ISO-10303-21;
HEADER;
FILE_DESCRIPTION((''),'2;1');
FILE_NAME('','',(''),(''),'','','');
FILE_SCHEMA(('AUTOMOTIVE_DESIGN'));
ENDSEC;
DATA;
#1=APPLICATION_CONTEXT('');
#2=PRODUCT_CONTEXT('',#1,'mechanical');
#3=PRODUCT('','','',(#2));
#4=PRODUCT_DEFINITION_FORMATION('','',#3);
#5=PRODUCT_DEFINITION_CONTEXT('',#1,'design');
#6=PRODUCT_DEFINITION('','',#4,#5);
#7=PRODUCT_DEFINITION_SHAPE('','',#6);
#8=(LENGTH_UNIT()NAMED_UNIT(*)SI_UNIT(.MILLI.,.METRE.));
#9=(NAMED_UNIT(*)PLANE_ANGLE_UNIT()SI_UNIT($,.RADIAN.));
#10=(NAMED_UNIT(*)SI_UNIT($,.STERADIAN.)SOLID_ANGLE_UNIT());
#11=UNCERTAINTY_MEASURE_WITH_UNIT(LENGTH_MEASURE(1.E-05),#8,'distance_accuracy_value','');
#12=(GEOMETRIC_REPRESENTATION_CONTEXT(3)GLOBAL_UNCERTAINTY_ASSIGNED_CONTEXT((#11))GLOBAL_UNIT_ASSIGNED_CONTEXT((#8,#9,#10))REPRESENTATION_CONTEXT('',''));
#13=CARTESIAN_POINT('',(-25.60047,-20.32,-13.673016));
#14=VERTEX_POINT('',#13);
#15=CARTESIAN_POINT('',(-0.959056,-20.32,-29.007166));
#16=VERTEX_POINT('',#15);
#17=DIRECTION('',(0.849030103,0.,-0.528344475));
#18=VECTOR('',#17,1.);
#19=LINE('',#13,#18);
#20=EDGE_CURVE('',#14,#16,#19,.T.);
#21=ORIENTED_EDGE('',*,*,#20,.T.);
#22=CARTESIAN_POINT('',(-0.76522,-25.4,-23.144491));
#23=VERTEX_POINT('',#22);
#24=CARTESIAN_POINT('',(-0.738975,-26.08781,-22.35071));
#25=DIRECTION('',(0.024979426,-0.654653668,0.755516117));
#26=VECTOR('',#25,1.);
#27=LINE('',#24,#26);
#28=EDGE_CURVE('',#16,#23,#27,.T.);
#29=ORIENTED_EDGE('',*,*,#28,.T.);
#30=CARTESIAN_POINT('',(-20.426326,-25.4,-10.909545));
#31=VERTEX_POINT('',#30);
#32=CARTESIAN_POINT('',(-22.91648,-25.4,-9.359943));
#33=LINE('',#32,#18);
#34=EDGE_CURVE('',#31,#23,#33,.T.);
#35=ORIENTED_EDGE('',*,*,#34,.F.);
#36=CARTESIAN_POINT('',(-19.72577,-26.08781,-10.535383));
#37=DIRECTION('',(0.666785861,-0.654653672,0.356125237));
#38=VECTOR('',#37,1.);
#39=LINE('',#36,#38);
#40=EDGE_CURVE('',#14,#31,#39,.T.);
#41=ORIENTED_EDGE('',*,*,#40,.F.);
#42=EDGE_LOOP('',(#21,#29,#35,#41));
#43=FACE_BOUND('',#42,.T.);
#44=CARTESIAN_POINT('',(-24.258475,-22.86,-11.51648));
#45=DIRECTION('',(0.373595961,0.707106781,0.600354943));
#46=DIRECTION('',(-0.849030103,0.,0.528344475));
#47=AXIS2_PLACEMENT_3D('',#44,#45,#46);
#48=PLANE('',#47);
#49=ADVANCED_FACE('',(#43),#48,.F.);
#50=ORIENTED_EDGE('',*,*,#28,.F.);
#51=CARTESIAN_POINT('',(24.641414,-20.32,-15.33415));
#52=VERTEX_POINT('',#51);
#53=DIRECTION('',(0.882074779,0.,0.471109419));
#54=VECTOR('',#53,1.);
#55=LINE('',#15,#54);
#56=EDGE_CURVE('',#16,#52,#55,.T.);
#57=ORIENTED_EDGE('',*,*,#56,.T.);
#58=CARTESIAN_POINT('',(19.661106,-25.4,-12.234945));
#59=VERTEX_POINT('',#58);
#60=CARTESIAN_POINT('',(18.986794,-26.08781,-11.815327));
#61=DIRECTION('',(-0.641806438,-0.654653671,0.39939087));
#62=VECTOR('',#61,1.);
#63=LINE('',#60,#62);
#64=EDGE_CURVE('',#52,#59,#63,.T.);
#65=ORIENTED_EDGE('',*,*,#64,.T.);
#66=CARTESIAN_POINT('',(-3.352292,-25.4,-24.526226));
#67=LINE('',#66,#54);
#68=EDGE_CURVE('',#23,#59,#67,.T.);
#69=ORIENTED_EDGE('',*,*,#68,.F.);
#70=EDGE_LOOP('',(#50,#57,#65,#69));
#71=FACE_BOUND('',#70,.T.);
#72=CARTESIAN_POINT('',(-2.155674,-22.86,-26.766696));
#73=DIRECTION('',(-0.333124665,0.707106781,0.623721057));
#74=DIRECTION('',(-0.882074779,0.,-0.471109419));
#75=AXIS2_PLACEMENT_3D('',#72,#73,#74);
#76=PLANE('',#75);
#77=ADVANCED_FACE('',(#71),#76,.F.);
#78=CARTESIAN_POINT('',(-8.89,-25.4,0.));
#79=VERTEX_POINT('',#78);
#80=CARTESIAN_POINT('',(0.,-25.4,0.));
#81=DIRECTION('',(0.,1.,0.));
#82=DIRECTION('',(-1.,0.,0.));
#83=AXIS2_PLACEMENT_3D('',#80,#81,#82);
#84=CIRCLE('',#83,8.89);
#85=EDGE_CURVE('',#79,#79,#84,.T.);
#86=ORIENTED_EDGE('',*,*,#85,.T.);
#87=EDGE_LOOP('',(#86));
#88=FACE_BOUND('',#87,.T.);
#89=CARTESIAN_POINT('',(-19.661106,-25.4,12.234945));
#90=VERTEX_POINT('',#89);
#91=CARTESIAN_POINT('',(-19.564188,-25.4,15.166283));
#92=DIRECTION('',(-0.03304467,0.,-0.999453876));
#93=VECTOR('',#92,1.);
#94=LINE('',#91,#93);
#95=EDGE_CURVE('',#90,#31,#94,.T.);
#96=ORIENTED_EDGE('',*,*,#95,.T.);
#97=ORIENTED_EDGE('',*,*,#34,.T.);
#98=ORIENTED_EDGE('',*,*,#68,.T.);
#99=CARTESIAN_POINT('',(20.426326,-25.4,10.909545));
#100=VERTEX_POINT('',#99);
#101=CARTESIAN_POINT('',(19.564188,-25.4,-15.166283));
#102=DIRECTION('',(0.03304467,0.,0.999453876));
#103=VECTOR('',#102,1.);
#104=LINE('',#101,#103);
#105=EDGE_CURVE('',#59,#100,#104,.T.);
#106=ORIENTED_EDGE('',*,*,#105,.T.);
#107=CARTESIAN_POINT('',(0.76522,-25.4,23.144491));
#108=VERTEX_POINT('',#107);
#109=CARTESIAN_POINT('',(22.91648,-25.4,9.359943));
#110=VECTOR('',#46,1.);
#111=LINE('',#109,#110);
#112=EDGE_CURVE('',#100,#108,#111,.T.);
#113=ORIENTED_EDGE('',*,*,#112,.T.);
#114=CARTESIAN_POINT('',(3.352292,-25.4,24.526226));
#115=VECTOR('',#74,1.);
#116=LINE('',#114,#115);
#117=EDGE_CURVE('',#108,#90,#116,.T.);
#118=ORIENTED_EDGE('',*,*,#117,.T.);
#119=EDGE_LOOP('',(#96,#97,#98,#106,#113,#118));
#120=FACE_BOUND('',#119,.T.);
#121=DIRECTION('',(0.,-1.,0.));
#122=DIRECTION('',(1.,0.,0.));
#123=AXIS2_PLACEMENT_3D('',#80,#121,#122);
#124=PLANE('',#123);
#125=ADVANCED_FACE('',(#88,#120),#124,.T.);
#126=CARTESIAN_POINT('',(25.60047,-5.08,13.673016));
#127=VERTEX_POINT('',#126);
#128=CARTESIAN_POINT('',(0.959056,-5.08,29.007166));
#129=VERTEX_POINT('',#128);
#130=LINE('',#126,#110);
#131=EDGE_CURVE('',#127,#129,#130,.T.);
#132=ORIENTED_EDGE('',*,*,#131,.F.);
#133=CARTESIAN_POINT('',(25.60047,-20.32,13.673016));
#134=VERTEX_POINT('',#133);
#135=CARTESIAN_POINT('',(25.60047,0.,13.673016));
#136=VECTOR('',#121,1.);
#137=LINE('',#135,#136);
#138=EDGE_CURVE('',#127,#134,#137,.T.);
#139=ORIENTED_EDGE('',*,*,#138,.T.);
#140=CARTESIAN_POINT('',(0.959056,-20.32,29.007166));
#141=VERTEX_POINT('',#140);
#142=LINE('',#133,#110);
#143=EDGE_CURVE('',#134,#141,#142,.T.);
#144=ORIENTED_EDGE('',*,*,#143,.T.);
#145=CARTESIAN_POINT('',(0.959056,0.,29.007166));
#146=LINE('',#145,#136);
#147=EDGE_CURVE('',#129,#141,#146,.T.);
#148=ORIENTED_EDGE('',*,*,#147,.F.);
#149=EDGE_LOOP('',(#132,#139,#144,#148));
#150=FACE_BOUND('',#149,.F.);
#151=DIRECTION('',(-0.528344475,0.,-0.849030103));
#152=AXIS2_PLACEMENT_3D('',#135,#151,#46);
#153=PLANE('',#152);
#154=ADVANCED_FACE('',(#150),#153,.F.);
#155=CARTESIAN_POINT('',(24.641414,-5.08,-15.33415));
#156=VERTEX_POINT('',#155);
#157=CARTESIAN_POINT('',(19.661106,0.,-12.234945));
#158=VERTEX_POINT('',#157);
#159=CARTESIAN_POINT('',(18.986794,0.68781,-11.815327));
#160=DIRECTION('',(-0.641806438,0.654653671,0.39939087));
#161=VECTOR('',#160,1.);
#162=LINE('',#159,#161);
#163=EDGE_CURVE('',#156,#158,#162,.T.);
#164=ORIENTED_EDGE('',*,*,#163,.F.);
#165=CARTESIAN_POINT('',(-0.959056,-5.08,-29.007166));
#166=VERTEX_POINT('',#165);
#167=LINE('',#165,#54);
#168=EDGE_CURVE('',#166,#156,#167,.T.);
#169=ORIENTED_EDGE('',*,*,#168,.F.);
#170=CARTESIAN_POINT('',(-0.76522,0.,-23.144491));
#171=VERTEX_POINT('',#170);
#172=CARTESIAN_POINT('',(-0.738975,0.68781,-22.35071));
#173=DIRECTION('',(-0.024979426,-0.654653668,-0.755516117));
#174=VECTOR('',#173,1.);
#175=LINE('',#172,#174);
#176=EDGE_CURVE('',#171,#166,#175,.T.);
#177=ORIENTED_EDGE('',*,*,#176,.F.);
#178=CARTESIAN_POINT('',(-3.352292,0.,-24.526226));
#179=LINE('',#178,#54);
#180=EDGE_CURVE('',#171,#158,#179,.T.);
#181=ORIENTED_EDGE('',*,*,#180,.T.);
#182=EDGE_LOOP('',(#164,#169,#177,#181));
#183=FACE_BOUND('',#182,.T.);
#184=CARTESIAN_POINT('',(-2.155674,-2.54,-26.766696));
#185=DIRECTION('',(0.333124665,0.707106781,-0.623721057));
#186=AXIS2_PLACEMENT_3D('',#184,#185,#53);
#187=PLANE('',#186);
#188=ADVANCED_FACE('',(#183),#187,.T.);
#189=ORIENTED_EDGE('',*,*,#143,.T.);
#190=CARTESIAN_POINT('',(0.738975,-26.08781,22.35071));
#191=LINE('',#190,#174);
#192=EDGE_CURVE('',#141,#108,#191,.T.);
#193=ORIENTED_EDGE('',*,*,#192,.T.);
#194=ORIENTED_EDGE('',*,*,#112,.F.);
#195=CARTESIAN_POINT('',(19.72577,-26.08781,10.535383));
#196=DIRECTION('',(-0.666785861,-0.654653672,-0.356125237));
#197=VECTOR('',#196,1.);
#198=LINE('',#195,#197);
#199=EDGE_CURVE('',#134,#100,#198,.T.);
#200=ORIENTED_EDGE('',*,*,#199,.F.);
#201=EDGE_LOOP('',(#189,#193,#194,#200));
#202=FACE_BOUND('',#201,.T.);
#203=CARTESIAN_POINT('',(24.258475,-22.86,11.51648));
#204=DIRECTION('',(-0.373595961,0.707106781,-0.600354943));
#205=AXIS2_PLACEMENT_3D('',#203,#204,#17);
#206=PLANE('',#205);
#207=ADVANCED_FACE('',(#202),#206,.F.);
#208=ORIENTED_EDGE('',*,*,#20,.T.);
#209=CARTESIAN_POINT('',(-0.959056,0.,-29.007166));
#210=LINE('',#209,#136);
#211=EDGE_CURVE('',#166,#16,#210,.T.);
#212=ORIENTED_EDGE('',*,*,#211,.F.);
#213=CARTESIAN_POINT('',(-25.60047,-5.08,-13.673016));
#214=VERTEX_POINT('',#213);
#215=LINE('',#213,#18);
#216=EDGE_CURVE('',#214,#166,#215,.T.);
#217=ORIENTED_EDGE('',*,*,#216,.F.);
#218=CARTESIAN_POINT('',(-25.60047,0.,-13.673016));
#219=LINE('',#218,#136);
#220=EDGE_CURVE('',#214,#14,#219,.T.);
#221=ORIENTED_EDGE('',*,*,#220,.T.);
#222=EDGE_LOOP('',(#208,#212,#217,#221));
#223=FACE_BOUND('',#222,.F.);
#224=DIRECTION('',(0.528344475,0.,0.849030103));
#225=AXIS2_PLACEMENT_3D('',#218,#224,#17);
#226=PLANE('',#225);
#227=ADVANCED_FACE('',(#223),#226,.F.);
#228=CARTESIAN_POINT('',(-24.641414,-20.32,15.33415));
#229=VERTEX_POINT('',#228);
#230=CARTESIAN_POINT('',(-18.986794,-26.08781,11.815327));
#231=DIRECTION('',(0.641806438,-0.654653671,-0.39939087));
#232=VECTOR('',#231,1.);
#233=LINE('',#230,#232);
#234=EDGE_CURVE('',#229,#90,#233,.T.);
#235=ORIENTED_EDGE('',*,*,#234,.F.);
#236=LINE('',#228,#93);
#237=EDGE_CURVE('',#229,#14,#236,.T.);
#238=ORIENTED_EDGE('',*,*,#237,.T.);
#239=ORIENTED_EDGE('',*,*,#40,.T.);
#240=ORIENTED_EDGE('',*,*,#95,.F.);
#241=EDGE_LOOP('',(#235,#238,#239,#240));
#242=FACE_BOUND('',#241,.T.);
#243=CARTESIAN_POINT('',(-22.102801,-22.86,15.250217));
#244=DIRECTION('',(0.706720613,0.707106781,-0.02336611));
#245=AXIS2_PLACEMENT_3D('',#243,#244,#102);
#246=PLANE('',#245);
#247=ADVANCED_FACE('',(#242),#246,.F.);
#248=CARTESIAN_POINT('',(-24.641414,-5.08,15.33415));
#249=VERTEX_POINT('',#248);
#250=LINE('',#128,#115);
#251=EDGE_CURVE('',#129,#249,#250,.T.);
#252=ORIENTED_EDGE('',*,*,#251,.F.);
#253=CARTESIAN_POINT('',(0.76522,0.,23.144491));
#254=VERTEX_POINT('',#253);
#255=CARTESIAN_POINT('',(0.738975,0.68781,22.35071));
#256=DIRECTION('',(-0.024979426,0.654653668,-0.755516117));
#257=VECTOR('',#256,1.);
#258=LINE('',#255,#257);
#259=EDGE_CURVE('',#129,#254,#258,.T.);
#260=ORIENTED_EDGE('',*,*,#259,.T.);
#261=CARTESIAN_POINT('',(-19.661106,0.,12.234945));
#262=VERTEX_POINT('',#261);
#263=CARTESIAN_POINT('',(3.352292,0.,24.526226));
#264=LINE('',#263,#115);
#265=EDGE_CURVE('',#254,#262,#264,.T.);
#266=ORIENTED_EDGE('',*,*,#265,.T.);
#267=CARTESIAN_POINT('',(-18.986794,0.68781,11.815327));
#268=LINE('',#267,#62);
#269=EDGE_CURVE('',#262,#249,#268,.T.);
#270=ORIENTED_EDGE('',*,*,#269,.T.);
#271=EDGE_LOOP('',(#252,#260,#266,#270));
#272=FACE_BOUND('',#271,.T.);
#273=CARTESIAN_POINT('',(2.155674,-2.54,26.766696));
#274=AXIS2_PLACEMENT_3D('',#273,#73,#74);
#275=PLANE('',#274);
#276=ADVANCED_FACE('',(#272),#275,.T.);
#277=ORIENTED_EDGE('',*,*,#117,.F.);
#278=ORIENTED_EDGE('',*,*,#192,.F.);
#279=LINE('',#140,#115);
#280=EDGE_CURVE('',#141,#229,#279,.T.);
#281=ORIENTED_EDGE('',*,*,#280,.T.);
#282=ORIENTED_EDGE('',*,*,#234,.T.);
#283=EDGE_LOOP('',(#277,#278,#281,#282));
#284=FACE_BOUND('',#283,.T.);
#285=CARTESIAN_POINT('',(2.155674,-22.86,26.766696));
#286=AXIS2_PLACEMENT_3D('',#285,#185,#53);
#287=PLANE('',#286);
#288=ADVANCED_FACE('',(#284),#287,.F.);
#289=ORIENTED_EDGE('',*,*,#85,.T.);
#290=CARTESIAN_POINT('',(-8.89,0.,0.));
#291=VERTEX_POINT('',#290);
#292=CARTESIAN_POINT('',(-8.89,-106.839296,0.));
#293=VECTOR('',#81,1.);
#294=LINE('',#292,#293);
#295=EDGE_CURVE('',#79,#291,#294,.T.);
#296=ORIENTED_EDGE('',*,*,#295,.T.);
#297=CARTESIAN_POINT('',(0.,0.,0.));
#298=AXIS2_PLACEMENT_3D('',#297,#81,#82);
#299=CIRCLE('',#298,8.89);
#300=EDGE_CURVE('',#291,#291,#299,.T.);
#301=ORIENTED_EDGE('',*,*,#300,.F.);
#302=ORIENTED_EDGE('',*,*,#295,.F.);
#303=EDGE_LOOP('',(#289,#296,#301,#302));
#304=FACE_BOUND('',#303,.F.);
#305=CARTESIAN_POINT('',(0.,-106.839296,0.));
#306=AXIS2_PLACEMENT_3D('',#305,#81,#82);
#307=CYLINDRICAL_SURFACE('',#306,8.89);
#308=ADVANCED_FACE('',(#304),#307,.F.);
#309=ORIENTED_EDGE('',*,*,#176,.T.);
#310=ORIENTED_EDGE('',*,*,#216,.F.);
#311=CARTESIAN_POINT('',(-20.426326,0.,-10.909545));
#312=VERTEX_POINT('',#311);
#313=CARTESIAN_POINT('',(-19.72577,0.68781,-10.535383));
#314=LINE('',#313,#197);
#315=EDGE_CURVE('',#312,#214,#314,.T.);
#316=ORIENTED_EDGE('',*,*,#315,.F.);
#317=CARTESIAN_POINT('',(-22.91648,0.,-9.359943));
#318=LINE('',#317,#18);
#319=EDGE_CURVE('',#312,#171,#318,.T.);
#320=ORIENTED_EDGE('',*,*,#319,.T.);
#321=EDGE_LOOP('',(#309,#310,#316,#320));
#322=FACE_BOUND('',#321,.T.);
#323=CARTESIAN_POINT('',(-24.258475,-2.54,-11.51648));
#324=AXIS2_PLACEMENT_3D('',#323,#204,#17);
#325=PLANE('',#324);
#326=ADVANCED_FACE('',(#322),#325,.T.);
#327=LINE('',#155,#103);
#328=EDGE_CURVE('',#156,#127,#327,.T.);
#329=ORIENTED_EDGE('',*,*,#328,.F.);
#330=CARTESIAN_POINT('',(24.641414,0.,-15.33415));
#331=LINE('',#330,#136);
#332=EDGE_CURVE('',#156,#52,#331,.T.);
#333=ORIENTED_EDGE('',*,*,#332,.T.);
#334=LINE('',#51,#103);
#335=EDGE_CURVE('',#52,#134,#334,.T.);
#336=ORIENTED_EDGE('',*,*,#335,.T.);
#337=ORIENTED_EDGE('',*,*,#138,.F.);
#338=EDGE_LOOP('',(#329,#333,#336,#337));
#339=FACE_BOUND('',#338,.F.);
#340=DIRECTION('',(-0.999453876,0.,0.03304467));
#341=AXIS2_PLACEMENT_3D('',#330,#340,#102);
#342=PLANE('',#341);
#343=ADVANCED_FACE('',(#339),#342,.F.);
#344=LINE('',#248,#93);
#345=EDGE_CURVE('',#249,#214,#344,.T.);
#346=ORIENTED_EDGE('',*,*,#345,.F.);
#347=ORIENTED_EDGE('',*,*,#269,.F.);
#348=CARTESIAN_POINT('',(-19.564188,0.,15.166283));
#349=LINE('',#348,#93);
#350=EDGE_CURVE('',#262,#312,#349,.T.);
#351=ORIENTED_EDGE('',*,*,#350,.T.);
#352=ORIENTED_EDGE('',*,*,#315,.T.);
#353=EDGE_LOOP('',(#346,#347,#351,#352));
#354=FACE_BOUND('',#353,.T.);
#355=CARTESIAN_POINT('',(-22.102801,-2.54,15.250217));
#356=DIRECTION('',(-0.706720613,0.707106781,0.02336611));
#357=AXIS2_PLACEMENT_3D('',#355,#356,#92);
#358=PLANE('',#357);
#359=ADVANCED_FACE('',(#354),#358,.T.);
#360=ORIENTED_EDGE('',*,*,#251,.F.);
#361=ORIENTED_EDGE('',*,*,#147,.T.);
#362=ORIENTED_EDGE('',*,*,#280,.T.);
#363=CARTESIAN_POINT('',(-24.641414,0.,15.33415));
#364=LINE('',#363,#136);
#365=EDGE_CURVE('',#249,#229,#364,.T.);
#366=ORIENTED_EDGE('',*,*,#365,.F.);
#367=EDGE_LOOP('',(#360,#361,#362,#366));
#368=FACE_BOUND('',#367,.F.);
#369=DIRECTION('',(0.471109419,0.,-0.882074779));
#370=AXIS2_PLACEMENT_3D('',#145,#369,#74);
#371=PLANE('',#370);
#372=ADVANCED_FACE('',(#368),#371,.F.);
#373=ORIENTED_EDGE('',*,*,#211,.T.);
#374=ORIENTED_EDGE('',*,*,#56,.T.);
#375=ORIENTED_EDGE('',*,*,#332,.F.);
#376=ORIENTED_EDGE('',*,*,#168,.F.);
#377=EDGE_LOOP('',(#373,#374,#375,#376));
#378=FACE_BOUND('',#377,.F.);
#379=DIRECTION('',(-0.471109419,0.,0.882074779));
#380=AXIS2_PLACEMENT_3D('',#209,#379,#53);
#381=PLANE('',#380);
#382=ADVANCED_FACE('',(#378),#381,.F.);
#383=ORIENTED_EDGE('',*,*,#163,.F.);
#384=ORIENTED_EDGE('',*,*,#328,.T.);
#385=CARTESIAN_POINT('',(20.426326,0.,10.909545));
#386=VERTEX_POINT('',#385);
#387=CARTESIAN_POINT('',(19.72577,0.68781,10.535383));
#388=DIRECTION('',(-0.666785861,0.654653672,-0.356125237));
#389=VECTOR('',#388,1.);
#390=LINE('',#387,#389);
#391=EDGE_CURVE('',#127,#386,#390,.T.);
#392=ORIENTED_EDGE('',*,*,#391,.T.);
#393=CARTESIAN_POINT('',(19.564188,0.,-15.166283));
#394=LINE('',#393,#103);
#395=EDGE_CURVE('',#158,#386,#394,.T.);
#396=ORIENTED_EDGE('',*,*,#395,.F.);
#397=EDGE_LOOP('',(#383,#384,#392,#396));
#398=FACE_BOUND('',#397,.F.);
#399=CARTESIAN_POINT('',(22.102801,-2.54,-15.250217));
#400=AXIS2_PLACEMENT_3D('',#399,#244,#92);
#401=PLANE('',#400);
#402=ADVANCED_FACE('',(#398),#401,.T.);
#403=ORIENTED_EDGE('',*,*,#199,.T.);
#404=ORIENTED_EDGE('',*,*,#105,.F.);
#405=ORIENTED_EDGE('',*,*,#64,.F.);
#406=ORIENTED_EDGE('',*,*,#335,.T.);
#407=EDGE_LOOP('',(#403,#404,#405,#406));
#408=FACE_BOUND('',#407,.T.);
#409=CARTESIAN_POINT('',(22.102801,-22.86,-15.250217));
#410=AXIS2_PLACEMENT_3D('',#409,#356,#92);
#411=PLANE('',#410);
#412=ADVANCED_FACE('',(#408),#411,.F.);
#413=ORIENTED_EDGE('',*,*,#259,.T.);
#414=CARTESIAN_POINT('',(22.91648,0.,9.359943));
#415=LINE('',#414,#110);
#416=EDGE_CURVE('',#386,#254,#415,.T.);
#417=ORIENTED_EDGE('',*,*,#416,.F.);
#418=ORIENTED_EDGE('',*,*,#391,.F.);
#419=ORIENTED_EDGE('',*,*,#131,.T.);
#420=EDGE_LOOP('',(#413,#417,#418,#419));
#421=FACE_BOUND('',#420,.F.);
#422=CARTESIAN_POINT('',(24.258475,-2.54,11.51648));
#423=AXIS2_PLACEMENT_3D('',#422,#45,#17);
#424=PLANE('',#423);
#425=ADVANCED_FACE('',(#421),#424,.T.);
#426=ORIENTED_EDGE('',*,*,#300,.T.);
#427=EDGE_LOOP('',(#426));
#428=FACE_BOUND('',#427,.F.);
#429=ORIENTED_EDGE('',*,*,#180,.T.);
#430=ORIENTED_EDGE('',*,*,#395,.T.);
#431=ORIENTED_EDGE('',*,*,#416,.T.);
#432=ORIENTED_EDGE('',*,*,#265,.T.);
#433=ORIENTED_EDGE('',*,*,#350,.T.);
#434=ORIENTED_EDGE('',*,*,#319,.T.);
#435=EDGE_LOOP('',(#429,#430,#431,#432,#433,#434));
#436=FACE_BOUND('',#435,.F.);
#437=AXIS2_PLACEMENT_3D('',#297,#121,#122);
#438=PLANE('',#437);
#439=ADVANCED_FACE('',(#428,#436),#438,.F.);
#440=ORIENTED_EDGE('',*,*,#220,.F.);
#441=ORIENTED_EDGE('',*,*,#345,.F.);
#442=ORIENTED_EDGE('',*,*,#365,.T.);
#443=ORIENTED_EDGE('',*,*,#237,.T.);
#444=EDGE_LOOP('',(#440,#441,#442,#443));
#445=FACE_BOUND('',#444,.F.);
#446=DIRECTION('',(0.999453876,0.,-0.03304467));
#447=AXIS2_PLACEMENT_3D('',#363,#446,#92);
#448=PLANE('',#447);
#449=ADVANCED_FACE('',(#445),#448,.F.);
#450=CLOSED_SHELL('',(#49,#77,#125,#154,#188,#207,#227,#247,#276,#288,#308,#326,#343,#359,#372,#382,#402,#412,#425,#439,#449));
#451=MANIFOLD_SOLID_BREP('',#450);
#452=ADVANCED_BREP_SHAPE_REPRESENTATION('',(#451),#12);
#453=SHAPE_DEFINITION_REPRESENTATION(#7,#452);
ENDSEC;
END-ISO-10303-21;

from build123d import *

# Parameters (mm, degrees)
F1_DEPTH = 25.4
F2_SIZE  = 5.08
F3_SIZE  = 5.08
F5_D     = 17.78


with BuildPart() as f1:
    # F0 (on Front) → F1 (new body)
    with BuildSketch(Plane.XZ):
        Polygon((25.60047, 13.673016), (0.959056, 29.007166), (-24.641414, 15.33415), (-25.60047, -13.673016), (-0.959056, -29.007166), (24.641414, -15.33415), align=None)
    extrude(amount=F1_DEPTH)

    # F2
    f2_edges = [f1.edges().sort_by_distance(p)[0] for p in [
        (13.279763, -25.4, 21.340091),
        (25.120942, -25.4, -0.830567),
        (11.841179, -25.4, -22.170658),
        (-13.279763, -25.4, -21.340091),
        (-25.120942, -25.4, 0.830567),
        (-11.841179, -25.4, 22.170658),
    ]]
    chamfer(f2_edges, length=F2_SIZE)

    # F3
    f3_edges = [f1.edges().sort_by_distance(p)[0] for p in [
        (25.120942, 0, -0.830567),
        (13.279763, 0, 21.340091),
        (11.841179, 0, -22.170658),
        (-11.841179, 0, 22.170658),
        (-25.120942, 0, 0.830567),
        (-13.279763, 0, -21.340091),
    ]]
    chamfer(f3_edges, length=F3_SIZE)

    # F5 (through all)
    with Locations(Plane.XZ.offset(25.4)):
        with Locations((0, 0)):
            Hole(F5_D / 2)


solid = f1.part
